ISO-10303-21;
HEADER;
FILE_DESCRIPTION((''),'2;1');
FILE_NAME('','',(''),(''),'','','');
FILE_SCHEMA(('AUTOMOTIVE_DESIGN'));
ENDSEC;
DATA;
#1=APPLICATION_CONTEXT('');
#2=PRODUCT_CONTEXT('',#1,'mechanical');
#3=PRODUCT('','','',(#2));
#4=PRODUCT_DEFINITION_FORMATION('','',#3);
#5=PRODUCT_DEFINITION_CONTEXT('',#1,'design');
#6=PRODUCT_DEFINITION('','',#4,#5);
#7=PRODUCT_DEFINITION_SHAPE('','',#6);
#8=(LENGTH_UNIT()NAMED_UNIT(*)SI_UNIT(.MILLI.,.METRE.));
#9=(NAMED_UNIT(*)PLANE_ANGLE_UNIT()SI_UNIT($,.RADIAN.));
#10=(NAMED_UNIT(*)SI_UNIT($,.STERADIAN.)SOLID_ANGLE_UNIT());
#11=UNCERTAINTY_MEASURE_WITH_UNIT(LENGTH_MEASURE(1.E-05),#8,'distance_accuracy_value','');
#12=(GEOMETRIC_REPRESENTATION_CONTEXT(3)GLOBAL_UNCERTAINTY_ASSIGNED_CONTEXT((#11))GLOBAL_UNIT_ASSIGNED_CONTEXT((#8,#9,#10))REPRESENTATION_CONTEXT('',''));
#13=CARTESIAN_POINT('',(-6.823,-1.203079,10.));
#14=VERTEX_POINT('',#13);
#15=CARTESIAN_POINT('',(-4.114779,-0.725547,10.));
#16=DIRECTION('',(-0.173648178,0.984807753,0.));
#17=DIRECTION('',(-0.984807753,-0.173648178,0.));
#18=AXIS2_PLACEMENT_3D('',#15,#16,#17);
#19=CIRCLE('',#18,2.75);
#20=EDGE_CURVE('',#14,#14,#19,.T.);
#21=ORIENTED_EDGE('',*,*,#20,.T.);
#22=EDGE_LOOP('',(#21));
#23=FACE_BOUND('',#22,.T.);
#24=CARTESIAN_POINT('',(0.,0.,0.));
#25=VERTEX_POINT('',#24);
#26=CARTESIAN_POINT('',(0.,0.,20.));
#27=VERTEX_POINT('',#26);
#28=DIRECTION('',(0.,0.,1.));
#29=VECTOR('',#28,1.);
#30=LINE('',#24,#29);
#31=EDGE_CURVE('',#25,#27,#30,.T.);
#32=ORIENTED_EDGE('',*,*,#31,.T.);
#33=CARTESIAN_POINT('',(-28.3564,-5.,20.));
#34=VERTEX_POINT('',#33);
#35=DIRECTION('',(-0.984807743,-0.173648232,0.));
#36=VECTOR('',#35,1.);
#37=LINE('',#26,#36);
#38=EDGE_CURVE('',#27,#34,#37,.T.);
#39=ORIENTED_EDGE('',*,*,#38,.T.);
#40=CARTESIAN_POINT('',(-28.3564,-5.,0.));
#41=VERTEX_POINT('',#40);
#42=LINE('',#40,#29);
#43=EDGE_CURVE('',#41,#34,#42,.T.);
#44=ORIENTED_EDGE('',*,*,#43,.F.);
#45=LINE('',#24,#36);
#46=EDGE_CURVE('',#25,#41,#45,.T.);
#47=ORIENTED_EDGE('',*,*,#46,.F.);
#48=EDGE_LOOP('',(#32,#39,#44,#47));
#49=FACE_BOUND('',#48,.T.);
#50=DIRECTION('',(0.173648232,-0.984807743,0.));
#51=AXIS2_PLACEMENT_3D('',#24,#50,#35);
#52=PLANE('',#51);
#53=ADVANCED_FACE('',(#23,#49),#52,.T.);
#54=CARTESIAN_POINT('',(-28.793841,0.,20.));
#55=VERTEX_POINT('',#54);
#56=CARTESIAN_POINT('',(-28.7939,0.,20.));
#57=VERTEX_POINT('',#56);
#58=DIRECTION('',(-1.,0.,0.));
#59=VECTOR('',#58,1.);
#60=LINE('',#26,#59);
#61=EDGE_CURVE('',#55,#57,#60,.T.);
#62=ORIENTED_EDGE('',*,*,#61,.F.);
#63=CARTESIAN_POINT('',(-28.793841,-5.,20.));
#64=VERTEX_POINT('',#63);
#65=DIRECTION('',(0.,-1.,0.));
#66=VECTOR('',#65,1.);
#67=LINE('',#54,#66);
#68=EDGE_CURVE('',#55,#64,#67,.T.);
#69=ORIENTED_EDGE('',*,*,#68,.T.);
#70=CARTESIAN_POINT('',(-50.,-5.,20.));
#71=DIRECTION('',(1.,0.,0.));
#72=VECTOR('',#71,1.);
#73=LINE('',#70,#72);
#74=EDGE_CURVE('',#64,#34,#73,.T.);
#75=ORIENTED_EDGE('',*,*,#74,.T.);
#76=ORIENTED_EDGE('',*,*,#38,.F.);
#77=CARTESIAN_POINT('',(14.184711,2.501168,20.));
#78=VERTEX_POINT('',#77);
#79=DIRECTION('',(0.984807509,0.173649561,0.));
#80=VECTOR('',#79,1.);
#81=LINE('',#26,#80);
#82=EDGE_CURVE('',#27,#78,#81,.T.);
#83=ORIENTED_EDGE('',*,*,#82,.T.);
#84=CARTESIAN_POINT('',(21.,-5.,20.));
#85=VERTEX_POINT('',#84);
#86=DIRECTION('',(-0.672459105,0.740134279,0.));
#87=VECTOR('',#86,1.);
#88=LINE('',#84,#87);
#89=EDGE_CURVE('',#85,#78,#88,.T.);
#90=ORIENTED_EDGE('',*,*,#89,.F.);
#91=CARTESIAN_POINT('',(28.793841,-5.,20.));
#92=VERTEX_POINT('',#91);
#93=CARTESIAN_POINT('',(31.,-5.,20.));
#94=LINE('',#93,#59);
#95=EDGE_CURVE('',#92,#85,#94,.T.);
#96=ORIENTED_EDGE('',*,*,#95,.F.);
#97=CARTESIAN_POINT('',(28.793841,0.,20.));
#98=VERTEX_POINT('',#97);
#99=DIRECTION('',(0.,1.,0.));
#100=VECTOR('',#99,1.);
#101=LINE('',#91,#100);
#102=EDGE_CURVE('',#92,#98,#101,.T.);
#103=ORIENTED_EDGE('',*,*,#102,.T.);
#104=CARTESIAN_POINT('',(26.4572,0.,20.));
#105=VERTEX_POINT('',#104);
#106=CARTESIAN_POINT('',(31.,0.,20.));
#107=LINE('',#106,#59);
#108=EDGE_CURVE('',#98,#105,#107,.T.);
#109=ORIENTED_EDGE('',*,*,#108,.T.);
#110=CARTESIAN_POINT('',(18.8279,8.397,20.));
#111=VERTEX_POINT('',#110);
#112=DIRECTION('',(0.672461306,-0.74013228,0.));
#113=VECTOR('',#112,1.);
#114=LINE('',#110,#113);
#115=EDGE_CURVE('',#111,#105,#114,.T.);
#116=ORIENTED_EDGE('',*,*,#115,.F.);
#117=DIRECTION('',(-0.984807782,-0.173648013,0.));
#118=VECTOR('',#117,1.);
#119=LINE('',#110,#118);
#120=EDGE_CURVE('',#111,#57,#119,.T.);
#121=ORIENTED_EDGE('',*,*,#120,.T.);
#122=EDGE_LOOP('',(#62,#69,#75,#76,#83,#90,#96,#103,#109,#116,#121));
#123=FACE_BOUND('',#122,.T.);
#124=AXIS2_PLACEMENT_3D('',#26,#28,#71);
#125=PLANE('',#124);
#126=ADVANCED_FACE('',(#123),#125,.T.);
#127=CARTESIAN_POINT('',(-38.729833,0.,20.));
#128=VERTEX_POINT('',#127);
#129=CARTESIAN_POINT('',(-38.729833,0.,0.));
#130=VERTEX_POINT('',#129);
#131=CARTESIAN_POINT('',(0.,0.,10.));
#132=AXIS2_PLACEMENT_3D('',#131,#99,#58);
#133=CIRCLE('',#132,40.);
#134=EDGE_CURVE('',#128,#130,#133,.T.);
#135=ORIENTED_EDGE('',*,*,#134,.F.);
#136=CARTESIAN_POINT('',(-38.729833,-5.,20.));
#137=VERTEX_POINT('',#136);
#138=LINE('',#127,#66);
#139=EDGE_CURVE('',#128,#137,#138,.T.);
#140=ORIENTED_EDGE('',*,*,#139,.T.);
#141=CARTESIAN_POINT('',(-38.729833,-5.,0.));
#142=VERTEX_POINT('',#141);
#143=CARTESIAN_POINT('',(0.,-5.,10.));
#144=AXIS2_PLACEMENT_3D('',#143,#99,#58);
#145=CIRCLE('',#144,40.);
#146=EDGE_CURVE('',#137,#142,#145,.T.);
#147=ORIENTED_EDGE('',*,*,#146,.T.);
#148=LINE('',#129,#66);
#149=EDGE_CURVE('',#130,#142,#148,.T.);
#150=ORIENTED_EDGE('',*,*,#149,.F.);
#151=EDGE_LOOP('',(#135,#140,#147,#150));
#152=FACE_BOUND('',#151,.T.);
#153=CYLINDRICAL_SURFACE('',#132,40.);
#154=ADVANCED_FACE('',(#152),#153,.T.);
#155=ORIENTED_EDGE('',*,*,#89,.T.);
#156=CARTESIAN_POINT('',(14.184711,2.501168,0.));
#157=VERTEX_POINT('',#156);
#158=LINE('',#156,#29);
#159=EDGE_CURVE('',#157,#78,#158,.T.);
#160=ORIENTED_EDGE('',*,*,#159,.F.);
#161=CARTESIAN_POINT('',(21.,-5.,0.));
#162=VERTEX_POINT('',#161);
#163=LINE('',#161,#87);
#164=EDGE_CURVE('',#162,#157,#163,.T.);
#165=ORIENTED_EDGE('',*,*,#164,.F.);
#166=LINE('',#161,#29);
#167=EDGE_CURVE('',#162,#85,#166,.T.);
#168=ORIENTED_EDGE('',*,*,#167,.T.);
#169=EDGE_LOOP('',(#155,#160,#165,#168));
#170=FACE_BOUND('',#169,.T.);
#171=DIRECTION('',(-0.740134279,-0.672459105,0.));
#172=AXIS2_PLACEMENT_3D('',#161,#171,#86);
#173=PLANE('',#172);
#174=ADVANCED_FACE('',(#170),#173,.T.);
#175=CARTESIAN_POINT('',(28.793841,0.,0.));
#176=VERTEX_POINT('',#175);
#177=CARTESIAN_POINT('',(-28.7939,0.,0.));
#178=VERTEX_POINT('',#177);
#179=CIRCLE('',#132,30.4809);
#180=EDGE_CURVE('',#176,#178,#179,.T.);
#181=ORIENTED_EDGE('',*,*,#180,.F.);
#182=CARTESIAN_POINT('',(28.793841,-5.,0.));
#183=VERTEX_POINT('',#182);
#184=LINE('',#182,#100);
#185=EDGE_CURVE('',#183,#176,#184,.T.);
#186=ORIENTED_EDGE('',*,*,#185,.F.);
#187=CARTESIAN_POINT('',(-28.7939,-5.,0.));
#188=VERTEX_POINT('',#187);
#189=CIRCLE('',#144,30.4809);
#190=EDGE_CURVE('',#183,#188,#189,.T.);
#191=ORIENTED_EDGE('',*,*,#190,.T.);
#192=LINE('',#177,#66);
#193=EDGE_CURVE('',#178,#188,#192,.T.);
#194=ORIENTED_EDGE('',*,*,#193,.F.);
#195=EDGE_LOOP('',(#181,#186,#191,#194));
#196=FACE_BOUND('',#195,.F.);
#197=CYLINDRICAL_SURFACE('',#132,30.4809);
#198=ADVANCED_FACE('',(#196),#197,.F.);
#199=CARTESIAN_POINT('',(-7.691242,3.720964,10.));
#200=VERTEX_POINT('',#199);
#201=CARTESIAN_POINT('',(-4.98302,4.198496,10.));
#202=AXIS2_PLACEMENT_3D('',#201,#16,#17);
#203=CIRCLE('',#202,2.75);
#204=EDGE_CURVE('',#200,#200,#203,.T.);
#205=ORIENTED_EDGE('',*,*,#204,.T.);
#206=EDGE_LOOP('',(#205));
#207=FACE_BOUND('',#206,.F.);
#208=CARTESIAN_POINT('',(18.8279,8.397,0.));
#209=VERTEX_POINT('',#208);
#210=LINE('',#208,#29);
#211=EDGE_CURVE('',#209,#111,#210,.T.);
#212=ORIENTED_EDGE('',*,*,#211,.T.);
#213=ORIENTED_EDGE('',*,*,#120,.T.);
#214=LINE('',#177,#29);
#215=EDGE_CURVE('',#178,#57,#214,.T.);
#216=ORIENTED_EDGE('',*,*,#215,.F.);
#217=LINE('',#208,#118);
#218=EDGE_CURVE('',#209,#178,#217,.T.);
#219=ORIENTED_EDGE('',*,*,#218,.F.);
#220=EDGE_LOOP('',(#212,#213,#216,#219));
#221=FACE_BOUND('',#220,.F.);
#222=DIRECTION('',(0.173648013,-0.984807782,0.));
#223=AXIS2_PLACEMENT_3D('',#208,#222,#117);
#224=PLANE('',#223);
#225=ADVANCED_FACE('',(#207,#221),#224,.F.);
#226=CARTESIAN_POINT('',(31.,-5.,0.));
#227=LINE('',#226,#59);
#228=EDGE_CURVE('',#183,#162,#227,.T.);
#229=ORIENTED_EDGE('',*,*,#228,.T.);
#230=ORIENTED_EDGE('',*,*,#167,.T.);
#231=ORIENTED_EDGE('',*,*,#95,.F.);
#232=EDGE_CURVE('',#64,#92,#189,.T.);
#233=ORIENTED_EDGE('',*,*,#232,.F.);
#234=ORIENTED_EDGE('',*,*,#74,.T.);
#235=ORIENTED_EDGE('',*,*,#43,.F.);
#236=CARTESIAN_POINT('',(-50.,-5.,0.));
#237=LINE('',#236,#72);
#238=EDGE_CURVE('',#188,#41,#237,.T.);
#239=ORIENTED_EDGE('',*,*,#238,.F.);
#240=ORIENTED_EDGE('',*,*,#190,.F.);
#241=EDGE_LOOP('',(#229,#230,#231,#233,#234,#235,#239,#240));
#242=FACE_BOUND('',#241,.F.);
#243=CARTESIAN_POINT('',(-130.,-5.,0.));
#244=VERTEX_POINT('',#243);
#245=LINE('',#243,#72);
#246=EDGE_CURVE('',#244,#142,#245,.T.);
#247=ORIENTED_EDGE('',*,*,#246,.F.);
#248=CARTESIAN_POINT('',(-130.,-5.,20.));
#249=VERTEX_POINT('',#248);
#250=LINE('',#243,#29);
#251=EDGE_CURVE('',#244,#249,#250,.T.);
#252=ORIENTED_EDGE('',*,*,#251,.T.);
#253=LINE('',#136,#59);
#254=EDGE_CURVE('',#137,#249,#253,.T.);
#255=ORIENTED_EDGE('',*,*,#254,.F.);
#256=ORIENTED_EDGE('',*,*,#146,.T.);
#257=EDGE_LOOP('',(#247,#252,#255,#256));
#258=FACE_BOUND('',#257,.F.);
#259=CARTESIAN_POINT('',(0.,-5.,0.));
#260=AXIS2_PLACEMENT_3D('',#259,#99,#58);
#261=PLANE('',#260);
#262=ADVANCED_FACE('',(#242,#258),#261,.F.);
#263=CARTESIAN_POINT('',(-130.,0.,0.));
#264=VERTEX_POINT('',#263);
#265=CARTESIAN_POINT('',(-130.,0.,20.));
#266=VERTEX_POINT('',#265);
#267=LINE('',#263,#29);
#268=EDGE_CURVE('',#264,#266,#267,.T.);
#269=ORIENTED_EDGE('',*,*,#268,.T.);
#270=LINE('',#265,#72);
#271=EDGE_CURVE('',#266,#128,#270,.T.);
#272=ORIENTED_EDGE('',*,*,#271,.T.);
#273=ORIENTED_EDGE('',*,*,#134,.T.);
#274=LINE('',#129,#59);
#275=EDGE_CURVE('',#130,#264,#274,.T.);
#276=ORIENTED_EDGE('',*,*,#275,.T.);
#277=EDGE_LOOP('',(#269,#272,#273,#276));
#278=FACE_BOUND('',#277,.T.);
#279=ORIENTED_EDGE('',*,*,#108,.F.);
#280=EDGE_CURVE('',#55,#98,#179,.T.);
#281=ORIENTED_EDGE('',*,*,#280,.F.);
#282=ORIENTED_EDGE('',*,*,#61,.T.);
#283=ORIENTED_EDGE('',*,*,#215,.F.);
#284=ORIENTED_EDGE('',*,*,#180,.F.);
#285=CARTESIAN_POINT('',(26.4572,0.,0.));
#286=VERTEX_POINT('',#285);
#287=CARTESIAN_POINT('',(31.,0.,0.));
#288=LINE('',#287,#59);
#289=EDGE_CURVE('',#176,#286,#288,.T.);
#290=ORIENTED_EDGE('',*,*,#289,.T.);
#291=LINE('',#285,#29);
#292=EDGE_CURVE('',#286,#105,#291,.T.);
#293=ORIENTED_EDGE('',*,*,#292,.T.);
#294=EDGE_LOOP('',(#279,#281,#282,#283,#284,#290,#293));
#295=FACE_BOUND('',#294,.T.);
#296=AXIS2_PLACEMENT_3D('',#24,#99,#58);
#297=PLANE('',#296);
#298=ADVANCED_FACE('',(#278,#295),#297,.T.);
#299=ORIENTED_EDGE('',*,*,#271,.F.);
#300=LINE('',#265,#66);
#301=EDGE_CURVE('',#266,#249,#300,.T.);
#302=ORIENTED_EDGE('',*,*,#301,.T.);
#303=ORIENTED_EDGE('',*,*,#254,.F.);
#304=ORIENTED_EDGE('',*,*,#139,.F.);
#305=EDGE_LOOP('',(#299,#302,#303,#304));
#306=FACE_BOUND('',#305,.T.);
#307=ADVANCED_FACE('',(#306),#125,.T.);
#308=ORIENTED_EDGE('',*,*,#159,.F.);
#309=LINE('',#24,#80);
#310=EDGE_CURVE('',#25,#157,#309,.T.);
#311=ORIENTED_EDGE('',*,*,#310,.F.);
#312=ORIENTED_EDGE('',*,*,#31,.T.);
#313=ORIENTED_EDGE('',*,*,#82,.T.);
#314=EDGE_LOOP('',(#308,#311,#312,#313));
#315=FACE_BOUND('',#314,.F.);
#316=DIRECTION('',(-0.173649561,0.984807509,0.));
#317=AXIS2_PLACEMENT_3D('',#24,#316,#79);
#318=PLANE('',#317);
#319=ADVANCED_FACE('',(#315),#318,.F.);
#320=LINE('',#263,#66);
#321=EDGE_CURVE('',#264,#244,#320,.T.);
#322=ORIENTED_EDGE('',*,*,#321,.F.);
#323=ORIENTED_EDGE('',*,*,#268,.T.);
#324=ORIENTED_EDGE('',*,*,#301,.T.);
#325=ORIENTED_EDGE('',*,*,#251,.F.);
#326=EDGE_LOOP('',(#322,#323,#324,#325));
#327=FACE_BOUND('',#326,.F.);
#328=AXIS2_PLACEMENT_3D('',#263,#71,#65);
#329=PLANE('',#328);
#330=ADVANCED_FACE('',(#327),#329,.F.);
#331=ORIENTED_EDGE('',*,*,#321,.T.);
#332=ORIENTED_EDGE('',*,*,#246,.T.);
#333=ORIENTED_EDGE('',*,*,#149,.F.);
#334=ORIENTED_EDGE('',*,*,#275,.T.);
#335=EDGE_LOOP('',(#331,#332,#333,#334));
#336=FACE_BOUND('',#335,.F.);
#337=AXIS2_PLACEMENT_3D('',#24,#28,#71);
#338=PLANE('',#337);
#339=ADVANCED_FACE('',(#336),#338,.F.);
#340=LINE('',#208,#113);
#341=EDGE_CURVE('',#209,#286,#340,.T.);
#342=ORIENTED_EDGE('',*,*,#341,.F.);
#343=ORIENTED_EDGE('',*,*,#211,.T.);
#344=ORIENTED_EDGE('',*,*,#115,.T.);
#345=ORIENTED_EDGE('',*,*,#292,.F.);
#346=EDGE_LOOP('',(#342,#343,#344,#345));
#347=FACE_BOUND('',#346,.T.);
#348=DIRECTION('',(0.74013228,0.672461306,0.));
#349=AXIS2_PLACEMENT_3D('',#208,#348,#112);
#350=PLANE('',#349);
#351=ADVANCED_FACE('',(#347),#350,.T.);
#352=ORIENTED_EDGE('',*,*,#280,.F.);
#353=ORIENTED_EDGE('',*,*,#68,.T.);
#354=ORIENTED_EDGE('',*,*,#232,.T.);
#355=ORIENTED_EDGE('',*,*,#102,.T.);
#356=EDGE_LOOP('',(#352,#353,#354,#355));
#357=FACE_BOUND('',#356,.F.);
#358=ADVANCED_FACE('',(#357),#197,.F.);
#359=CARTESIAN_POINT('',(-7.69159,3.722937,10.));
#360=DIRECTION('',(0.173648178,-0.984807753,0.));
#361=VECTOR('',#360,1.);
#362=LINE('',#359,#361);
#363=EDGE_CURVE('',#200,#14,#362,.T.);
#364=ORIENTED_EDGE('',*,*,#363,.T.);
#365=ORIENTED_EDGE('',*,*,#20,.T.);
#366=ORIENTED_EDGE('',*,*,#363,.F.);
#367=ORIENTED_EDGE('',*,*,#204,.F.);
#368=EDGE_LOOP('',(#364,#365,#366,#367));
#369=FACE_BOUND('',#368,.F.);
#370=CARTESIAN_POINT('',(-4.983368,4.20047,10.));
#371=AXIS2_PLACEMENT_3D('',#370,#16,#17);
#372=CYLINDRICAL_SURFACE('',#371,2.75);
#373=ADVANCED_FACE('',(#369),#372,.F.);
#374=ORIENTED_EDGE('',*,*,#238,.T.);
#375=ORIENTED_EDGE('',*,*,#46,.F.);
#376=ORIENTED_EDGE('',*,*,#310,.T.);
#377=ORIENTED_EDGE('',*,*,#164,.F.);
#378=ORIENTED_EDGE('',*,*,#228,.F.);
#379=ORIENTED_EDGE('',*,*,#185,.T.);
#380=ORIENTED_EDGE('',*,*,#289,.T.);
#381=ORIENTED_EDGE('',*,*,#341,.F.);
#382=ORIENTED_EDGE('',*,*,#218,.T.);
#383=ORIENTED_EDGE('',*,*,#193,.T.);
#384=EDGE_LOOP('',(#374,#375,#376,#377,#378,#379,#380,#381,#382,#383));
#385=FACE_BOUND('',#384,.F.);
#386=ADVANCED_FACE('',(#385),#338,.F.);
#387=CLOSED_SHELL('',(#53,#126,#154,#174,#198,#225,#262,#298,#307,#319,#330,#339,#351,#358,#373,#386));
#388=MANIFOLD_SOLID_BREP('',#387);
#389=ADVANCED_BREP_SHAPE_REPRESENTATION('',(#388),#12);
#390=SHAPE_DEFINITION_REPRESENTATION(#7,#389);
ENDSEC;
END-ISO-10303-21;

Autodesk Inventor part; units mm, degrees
ref_plane "YZ Plane" through (0, 0, 0) normal (1, 0, 0) x (0, 1, 0)
ref_plane "XZ Plane" through (0, 0, 0) normal (0, 1, 0) x (-1, 0, 0)
ref_plane "XY Plane" through (0, 0, 0) normal (0, 0, 1) x (1, 0, 0)
sketch "Sketch1" plane through (0, 0, 0) normal (0, 0, 1) x (1, 0, 0)
  line L0 (0, 0) -> (-50, 0)
  line L1 (-50, 0) -> (-50, -5)
  line L2 (-50, -5) -> (0, -5)
  line L3 (0, -5) -> (0, 0)
  line L4 (0, 0) -> (19.6962, 3.473)
  line L5 (0, 0) -> (20, 0) construction
  line L6 (19.6962, 3.473) -> (18.8279, 8.397)
  line L7 (18.8279, 8.397) -> (-28.7939, 0)
  line L8 (0, 0) -> (-28.3564, -5)
  line L9 (0, 0) -> (28.7939, 0) construction
  line L10 (-50, 0) -> (-130, 0)
  line L11 (-130, 0) -> (-130, -5)
  line L12 (-130, -5) -> (-50, -5)
  line L13 (18.8279, 8.397) -> (31, -5)
  line L14 (31, -5) -> (21, -5)
  line L15 (21, -5) -> (10.5825, 6.4659)
  line L16 (31, -5) -> (31, 0)
  line L17 (31, 0) -> (26.4572, 0)
  line L18 (31, 0) -> (36, 0)
  line L19 (36, 0) -> (36, -5)
  line L20 (36, -5) -> (31, -5)
  line L21 (31, -5) -> (31, 0)
  point P0 (14.1847, 2.5011)
  point P1 (31, -5)
  dimension "d0" = 50
  dimension "d1" = 5
  dimension "d2" = 20
  dimension "d3" = 10
  dimension "d4" = 5
  dimension "d5" = 90
  dimension "d11" = 170
  dimension "d12" = 80
  dimension "d16" = 5
extrude "Extrusion1" add sketch "Sketch1" along normal blind 20 contours L8 L2 L1 L0 | L0 L7 L6 L4 | L4 L6 L13 L14 L15 | L1 L12 L11 L10 | L17 L16 L13 | L16 L18 L19 L20
sketch "Sketch2" plane through (-28.7939, 0, 0) normal (-0.1736, 0.9848, 0) x (-0.9848, -0.1736, 0)
  line L0 (-48.3564, 0) -> (0, 0) projected
  line L1 (0, 0) -> (0, 20) projected
  line L2 (-48.3564, 20) -> (0, 20) projected
  line L3 (-48.3564, 0) -> (-48.3564, 20) projected
  line L4 (-48.3564, 10) -> (0, 10)
  line L5 (-24.1782, 20) -> (-24.1782, 0)
  line L6 (-28.3564, 0) -> (-48.3564, 0) projected
  circle A0 centre (-24.1782, 10) radius 2.75
  dimension "d8" = 5.5
extrude "Extrusion2" cut sketch "Sketch2" against normal blind 20 contours A0 L5 L4 | L4 L5 A0 | L5 L4 A0 | L5 A0 L4
sketch "Sketch3" plane through (0, 0, 0) normal (0, 1, 0) x (-1, 0, 0)
  line L0 (130, 0) -> (28.3564, 0) projected
  line L1 (28.3564, 0) -> (28.3564, 20) projected
  line L2 (130, 20) -> (28.3564, 20) projected
  line L3 (130, 0) -> (130, 20) projected
  line L4 (-18.8279, 0) -> (28.7939, 0) projected
  line L5 (28.3564, 20) -> (28.7939, 0)
  line L6 (28.3564, 0) -> (28.3564, 20) projected
  line L7 (28.3564, 10) -> (-19.6962, 10)
  line L8 (-19.6962, 0) -> (-19.6962, 20) projected
  line L9 (28.7939, 0) -> (130, 0) projected
  circle A0 centre (0, 10) radius 30.4809
  circle A1 centre (0, 10) radius 40
  point P0 (0, 0)
  point P1 (38.7298, 20)
  point P2 (38.7298, 0)
  point P3 (28.7939, 20)
  dimension "d13" = 80
extrude "Extrusion3" add sketch "Sketch3" against normal blind 5 contours L0 A1 L2 A0 picked at (-11.3499, -24.8055)
properties part number "base mount for central centrifuge"
